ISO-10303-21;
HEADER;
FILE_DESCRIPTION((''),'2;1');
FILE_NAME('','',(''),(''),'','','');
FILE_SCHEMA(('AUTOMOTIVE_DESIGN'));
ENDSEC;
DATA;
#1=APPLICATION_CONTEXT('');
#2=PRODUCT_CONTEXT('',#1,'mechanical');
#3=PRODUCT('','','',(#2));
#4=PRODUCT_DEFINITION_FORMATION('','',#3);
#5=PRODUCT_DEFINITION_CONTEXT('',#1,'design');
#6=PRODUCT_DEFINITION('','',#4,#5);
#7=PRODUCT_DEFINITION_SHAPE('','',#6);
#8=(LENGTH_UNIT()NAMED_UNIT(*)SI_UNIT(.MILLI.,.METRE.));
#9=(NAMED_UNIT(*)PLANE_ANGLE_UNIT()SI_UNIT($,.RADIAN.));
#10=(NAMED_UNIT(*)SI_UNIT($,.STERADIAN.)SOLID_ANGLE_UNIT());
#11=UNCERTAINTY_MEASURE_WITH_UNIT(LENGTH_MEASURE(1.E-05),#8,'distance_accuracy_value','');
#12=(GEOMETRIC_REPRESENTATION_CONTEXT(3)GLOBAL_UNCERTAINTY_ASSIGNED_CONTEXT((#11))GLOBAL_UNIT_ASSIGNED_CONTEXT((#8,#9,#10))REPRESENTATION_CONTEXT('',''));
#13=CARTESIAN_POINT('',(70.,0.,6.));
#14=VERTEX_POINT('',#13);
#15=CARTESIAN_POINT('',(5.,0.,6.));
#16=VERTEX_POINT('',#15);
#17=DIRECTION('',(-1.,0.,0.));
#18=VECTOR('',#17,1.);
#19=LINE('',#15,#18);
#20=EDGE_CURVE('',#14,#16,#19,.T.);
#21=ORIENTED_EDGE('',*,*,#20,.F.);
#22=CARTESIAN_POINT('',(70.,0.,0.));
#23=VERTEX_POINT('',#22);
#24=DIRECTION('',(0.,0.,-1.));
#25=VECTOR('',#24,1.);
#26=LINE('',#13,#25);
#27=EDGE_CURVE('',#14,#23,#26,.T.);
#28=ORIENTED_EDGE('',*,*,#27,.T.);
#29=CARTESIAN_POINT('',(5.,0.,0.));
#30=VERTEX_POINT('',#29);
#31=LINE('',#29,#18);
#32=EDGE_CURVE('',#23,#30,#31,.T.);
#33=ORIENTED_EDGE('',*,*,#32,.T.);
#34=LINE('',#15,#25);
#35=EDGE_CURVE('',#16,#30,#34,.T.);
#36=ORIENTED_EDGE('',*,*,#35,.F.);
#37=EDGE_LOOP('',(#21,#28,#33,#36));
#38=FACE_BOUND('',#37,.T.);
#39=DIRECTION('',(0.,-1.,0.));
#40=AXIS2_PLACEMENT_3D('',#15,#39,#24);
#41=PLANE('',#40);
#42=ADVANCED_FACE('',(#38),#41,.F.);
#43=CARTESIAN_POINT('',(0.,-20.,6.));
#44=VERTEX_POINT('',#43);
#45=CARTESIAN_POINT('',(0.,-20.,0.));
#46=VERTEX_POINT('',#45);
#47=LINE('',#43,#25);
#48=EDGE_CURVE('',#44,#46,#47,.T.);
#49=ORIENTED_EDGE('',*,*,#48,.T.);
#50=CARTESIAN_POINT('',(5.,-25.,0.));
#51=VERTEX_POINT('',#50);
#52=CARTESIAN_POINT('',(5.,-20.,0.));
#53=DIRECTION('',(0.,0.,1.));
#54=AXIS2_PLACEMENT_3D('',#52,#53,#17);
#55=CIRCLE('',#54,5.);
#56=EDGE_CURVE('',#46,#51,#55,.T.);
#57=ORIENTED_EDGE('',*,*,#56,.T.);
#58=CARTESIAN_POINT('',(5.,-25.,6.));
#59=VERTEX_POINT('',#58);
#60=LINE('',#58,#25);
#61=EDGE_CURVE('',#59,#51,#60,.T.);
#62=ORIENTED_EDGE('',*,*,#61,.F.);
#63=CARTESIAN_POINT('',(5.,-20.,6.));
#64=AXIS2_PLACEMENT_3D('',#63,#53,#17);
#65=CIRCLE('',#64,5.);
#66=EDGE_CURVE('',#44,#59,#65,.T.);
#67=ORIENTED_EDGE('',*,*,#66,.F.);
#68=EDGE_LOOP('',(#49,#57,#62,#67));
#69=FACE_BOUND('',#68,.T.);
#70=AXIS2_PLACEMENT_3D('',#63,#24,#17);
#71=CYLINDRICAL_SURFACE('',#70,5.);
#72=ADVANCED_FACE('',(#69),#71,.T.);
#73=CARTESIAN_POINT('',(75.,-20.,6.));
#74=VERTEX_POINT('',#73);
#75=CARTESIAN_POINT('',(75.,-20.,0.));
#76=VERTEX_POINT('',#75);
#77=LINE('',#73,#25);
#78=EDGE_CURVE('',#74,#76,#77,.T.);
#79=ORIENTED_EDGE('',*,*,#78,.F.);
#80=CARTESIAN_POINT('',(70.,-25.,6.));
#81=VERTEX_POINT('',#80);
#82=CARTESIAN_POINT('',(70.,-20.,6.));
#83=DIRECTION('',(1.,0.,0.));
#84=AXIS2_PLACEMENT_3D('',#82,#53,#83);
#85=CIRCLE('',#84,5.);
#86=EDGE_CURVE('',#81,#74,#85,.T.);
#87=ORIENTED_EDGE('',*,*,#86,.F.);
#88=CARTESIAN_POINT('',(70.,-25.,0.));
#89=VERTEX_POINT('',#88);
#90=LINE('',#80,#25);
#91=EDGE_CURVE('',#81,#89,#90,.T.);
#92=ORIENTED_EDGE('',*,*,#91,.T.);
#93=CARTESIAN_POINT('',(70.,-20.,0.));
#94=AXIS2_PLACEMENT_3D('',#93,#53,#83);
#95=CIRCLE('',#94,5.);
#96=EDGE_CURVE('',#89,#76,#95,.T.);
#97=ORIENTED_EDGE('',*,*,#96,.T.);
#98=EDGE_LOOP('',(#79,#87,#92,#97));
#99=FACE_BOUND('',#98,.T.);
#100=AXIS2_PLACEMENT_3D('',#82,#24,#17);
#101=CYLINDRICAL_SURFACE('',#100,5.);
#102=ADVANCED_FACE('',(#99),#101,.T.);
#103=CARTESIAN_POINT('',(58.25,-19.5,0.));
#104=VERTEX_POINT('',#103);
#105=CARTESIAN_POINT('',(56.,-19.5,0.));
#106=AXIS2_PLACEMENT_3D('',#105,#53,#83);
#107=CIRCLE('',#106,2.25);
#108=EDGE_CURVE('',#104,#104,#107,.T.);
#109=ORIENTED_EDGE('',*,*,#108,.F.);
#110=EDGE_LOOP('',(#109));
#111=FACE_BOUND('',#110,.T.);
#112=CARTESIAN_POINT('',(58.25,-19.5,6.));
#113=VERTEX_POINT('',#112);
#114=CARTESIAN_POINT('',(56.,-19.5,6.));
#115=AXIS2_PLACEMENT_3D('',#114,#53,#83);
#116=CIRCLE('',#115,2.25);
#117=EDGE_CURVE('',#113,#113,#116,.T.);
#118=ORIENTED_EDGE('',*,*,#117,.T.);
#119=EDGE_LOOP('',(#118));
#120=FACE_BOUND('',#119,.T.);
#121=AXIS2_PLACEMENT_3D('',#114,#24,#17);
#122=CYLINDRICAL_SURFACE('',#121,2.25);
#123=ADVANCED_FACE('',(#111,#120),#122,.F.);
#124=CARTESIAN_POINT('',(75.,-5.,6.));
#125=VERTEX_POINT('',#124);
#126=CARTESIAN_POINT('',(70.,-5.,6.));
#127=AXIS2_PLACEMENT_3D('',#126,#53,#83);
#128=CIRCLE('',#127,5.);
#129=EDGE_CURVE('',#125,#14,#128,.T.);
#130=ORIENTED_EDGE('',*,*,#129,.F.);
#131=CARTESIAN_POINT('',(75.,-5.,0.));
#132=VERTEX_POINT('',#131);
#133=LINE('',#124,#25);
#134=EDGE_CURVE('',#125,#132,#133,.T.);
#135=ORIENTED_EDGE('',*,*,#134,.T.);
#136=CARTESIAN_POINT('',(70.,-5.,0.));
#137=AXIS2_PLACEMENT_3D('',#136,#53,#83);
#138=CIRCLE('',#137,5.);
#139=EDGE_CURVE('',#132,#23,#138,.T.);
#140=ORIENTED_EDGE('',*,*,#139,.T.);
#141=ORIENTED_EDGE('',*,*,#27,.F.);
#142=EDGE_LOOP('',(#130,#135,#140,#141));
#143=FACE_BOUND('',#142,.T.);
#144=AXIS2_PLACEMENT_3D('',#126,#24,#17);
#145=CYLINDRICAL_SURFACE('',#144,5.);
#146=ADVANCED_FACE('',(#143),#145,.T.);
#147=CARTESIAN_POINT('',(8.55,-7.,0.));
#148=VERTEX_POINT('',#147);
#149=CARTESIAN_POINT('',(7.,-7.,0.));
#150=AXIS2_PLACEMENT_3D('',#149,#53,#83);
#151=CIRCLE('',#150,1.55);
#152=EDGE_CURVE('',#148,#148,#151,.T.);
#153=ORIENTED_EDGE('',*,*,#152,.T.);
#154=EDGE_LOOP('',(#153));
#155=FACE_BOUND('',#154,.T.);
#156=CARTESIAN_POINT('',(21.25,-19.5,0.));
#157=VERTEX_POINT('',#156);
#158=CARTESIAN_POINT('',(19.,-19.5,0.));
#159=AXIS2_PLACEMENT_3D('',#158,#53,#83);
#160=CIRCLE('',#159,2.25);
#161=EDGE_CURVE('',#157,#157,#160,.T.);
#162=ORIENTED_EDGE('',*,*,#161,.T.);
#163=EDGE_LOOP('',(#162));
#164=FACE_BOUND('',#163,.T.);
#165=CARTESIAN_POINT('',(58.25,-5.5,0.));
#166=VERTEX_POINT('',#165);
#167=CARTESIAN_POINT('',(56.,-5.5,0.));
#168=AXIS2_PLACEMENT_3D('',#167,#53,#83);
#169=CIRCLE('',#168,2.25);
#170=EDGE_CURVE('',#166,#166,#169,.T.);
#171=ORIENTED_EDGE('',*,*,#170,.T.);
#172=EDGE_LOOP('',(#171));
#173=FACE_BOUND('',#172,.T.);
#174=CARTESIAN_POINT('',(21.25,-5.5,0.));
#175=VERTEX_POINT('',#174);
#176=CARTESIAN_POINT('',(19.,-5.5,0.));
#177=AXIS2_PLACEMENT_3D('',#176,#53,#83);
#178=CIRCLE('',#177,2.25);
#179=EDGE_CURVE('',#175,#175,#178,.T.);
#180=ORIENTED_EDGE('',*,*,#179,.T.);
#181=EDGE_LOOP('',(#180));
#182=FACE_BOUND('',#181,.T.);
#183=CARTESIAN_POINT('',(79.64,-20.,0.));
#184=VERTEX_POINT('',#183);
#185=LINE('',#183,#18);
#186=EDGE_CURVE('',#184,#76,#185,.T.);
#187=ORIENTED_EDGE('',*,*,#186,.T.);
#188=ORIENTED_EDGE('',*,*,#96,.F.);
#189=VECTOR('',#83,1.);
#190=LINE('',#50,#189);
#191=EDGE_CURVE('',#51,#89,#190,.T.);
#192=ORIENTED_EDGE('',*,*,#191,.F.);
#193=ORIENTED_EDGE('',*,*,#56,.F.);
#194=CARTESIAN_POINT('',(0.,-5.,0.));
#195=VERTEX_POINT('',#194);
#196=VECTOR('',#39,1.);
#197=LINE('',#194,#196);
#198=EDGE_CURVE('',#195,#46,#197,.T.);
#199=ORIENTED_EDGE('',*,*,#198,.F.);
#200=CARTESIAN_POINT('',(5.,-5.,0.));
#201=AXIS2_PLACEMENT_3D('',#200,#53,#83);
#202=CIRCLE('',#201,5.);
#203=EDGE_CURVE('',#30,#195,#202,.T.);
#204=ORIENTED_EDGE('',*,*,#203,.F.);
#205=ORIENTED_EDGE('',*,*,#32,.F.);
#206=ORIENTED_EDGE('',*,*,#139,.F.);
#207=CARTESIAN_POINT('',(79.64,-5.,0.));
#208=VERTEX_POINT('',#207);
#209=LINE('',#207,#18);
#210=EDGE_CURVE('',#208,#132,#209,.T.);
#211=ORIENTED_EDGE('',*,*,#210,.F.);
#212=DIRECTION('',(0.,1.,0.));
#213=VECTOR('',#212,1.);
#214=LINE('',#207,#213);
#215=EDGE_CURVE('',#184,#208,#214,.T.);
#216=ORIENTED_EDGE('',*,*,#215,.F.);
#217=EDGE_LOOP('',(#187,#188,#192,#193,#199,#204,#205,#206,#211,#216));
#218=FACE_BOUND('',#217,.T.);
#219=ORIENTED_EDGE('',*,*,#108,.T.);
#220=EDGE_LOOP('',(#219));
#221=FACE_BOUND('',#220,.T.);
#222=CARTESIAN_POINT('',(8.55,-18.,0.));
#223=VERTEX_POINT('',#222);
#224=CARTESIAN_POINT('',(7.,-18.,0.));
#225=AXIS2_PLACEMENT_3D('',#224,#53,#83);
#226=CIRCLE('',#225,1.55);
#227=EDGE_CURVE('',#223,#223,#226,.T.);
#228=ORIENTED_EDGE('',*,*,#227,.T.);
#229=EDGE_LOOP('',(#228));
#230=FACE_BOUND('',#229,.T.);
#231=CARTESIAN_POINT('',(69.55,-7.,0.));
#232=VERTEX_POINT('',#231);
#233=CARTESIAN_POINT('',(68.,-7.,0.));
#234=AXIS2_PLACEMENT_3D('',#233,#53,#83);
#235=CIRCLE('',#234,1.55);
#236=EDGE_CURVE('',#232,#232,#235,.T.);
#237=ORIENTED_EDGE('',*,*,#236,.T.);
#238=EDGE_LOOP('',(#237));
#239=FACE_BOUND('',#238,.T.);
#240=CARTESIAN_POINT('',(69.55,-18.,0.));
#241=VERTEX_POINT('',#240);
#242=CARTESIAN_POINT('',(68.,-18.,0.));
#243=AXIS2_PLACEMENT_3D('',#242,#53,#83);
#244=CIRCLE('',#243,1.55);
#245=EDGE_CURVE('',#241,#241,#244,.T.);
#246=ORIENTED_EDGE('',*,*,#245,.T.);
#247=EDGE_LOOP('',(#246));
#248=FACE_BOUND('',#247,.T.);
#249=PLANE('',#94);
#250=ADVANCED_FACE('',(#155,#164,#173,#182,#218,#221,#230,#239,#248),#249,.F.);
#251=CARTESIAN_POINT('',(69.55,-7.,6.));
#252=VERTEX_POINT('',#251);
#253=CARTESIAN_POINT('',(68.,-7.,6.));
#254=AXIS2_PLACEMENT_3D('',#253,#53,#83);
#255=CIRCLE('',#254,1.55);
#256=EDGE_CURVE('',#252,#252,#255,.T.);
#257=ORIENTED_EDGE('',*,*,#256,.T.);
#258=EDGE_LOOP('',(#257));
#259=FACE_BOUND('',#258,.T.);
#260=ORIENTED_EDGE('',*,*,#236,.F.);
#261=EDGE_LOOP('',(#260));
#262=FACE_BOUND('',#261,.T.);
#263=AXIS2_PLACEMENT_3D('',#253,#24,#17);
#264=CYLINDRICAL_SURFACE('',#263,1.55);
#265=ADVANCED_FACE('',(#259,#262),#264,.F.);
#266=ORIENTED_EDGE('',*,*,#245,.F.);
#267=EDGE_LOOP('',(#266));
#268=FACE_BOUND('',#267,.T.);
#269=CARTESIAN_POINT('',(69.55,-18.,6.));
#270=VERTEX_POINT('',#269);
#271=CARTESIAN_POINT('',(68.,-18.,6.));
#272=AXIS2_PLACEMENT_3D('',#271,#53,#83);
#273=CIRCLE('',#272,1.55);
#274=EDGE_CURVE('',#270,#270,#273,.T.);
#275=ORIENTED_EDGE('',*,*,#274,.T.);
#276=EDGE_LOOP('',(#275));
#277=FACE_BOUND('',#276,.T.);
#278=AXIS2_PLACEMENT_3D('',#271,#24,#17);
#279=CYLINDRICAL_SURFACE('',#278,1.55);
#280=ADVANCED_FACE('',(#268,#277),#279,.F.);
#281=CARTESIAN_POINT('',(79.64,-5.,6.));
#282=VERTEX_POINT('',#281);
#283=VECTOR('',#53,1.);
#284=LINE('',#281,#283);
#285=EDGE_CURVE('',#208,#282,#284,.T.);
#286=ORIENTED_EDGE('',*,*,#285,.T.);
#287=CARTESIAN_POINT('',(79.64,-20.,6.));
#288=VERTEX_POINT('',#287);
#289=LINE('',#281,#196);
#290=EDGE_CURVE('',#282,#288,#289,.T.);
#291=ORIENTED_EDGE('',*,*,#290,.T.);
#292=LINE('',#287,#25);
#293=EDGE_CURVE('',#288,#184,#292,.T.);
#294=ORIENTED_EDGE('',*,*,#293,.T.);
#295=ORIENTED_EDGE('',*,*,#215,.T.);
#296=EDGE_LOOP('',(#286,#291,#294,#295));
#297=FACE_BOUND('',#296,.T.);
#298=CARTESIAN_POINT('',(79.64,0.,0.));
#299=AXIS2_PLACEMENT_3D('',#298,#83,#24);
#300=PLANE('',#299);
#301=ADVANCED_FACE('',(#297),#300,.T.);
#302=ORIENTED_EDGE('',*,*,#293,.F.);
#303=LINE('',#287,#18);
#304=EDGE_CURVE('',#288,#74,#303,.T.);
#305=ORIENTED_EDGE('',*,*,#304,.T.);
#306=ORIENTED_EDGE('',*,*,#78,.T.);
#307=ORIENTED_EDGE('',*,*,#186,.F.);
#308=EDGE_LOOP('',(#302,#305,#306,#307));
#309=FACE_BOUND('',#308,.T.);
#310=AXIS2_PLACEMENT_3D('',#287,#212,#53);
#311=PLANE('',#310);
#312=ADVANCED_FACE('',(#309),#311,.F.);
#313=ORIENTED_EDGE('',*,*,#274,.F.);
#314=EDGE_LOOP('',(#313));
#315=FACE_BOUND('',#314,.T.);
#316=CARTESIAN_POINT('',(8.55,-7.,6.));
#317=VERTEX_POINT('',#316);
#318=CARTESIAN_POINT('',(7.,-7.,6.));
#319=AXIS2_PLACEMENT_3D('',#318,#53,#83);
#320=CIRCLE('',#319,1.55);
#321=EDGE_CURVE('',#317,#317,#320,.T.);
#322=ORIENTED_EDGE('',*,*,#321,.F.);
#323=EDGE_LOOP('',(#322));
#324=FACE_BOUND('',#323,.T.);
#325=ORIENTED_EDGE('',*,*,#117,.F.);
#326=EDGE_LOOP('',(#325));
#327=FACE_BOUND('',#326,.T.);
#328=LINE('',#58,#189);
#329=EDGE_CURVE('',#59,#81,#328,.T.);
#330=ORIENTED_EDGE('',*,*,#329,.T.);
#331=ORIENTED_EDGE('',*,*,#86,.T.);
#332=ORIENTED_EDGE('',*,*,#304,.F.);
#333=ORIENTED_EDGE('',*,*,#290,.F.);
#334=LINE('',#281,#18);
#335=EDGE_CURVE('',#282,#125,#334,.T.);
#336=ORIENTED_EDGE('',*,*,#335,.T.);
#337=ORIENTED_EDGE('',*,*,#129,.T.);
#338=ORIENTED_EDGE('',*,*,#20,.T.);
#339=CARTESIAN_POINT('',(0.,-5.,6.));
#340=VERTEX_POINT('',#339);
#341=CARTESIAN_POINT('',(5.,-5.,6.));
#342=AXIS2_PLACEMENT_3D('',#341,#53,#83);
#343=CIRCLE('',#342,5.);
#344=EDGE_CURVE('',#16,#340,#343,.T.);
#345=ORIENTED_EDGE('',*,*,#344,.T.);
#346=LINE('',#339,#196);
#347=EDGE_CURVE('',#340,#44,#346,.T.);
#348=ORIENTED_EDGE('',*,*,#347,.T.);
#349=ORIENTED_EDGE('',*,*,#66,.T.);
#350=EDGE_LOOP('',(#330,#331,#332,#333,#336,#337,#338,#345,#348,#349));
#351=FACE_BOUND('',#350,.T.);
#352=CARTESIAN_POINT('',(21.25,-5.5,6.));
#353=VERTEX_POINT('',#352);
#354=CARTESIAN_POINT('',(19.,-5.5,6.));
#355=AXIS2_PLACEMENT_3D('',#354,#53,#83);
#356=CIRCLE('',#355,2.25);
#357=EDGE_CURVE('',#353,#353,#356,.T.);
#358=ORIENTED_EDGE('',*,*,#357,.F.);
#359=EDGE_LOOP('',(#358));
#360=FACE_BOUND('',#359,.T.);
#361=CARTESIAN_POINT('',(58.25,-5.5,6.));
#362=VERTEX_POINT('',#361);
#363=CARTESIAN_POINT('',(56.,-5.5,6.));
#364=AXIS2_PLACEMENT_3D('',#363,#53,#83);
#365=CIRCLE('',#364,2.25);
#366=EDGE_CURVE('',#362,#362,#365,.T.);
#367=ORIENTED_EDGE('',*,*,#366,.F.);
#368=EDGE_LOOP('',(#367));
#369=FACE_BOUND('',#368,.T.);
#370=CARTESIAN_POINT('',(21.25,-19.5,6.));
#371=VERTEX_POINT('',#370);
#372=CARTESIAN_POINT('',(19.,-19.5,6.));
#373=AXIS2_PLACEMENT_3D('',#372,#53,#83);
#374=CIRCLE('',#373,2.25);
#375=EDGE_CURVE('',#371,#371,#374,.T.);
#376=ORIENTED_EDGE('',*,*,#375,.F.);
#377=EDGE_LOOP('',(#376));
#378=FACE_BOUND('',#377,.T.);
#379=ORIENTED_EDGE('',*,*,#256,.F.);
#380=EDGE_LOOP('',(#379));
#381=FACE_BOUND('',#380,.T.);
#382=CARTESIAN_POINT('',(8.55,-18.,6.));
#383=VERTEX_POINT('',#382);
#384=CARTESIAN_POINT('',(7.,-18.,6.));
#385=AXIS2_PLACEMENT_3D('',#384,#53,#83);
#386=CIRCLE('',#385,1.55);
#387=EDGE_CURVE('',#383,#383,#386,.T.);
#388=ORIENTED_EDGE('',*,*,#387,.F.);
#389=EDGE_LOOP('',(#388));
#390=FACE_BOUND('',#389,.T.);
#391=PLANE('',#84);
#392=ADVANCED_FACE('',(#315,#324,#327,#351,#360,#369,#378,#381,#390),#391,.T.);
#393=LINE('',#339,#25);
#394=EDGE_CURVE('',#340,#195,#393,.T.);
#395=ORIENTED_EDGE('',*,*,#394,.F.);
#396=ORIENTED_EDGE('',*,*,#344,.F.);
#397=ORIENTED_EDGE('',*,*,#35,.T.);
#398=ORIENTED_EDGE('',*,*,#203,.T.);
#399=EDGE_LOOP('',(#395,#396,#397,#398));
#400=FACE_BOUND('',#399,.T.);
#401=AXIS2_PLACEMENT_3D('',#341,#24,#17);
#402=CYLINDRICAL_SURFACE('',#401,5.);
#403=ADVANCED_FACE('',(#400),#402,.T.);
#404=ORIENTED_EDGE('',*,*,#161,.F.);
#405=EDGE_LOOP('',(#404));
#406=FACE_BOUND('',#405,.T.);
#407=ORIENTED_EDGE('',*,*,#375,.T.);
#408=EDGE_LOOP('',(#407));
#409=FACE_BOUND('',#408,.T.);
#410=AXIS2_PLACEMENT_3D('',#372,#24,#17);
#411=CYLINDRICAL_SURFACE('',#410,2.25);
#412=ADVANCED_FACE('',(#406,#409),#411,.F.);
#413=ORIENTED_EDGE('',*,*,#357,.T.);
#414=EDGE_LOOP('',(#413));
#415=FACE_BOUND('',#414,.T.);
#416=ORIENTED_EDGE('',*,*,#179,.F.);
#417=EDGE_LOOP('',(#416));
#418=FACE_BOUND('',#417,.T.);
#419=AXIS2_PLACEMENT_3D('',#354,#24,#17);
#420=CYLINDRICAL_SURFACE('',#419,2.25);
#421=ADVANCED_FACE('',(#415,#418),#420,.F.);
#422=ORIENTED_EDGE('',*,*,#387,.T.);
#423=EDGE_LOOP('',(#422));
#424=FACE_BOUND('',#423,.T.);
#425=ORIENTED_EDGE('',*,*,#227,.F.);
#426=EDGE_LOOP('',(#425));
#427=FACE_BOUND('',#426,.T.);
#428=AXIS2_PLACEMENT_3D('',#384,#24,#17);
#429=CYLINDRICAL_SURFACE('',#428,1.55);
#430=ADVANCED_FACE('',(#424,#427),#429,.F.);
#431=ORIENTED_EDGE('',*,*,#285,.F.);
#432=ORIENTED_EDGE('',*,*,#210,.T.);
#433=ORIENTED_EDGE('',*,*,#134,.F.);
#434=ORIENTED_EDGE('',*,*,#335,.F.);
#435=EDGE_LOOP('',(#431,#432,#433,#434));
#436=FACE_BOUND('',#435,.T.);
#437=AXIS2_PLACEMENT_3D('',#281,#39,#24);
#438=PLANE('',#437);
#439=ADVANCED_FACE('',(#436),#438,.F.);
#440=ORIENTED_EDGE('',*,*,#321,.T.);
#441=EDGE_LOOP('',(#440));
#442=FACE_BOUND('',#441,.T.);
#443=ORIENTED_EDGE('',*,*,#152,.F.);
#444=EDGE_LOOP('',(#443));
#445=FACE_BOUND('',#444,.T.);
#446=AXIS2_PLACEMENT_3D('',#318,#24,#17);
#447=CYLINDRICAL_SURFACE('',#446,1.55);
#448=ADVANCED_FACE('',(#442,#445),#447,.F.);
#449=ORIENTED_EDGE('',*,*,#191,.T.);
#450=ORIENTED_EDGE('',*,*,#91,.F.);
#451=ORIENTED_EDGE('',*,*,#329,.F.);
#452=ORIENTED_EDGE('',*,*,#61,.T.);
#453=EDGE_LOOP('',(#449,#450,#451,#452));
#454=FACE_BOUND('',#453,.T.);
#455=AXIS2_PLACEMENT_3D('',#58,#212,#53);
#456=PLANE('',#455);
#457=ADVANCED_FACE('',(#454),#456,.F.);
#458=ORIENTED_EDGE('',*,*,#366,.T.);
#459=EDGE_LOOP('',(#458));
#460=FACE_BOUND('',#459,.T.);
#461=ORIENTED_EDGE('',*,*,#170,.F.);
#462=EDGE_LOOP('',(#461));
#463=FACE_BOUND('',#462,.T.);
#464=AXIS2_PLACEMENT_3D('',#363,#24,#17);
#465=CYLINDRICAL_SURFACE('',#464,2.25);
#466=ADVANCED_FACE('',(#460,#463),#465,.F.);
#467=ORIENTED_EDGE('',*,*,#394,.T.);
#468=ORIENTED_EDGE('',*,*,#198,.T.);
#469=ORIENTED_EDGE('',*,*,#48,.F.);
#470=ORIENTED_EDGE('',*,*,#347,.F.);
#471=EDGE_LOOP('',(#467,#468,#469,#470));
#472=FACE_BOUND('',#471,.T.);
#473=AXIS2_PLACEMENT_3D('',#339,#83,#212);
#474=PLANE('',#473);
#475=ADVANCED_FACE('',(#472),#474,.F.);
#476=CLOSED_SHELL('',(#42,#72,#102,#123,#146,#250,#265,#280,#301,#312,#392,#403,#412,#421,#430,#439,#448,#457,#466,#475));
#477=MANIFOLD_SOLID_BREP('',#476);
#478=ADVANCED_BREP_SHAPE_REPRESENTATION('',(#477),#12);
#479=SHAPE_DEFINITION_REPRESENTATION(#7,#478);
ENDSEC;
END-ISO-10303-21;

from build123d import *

# Parameters (mm, degrees)
SKETCH1_R           = 1.55
SKETCH1_R_2         = 2.25
BOSS_EXTRUDE1_DEPTH = 6
SKETCH4_W           = 6
SKETCH4_H           = 15
BOSS_EXTRUDE3_DEPTH = 4.64


with BuildPart() as part:
    # Sketch1 → Boss-Extrude1 (new body)
    with BuildSketch(Plane.XY):
        with BuildLine():
            Line((5, 0), (70, 0))
            ThreePointArc((70, 0), (73.535533906, -1.464466094), (75, -5))
            Line((75, -5), (75, -20))
            ThreePointArc((75, -20), (73.535533906, -23.535533906), (70, -25))
            Line((70, -25), (5, -25))
            ThreePointArc((5, -25), (1.464466094, -23.535533906), (0, -20))
            Line((0, -20), (0, -5))
            ThreePointArc((0, -5), (1.464466094, -1.464466094), (5, 0))
        make_face()
        with Locations((7, -7)):
            Circle(SKETCH1_R, mode=Mode.SUBTRACT)
        with Locations((7, -18)):
            Circle(SKETCH1_R, mode=Mode.SUBTRACT)
        with Locations((68, -7)):
            Circle(SKETCH1_R, mode=Mode.SUBTRACT)
        with Locations((68, -18)):
            Circle(SKETCH1_R, mode=Mode.SUBTRACT)
        with Locations((19, -5.5)):
            Circle(SKETCH1_R_2, mode=Mode.SUBTRACT)
        with Locations((19, -19.5)):
            Circle(SKETCH1_R_2, mode=Mode.SUBTRACT)
        with Locations((56, -5.5)):
            Circle(SKETCH1_R_2, mode=Mode.SUBTRACT)
        with Locations((56, -19.5)):
            Circle(SKETCH1_R_2, mode=Mode.SUBTRACT)
    extrude(amount=BOSS_EXTRUDE1_DEPTH)

    # Sketch4 → Boss-Extrude3 (add)
    with BuildSketch(Plane(origin=(75, 0, 0), x_dir=(0, 0, -1), z_dir=(1, 0, 0))):
        with Locations((-3, -12.5)):
            Rectangle(SKETCH4_W, SKETCH4_H)
    extrude(amount=BOSS_EXTRUDE3_DEPTH)


solid = part.part
